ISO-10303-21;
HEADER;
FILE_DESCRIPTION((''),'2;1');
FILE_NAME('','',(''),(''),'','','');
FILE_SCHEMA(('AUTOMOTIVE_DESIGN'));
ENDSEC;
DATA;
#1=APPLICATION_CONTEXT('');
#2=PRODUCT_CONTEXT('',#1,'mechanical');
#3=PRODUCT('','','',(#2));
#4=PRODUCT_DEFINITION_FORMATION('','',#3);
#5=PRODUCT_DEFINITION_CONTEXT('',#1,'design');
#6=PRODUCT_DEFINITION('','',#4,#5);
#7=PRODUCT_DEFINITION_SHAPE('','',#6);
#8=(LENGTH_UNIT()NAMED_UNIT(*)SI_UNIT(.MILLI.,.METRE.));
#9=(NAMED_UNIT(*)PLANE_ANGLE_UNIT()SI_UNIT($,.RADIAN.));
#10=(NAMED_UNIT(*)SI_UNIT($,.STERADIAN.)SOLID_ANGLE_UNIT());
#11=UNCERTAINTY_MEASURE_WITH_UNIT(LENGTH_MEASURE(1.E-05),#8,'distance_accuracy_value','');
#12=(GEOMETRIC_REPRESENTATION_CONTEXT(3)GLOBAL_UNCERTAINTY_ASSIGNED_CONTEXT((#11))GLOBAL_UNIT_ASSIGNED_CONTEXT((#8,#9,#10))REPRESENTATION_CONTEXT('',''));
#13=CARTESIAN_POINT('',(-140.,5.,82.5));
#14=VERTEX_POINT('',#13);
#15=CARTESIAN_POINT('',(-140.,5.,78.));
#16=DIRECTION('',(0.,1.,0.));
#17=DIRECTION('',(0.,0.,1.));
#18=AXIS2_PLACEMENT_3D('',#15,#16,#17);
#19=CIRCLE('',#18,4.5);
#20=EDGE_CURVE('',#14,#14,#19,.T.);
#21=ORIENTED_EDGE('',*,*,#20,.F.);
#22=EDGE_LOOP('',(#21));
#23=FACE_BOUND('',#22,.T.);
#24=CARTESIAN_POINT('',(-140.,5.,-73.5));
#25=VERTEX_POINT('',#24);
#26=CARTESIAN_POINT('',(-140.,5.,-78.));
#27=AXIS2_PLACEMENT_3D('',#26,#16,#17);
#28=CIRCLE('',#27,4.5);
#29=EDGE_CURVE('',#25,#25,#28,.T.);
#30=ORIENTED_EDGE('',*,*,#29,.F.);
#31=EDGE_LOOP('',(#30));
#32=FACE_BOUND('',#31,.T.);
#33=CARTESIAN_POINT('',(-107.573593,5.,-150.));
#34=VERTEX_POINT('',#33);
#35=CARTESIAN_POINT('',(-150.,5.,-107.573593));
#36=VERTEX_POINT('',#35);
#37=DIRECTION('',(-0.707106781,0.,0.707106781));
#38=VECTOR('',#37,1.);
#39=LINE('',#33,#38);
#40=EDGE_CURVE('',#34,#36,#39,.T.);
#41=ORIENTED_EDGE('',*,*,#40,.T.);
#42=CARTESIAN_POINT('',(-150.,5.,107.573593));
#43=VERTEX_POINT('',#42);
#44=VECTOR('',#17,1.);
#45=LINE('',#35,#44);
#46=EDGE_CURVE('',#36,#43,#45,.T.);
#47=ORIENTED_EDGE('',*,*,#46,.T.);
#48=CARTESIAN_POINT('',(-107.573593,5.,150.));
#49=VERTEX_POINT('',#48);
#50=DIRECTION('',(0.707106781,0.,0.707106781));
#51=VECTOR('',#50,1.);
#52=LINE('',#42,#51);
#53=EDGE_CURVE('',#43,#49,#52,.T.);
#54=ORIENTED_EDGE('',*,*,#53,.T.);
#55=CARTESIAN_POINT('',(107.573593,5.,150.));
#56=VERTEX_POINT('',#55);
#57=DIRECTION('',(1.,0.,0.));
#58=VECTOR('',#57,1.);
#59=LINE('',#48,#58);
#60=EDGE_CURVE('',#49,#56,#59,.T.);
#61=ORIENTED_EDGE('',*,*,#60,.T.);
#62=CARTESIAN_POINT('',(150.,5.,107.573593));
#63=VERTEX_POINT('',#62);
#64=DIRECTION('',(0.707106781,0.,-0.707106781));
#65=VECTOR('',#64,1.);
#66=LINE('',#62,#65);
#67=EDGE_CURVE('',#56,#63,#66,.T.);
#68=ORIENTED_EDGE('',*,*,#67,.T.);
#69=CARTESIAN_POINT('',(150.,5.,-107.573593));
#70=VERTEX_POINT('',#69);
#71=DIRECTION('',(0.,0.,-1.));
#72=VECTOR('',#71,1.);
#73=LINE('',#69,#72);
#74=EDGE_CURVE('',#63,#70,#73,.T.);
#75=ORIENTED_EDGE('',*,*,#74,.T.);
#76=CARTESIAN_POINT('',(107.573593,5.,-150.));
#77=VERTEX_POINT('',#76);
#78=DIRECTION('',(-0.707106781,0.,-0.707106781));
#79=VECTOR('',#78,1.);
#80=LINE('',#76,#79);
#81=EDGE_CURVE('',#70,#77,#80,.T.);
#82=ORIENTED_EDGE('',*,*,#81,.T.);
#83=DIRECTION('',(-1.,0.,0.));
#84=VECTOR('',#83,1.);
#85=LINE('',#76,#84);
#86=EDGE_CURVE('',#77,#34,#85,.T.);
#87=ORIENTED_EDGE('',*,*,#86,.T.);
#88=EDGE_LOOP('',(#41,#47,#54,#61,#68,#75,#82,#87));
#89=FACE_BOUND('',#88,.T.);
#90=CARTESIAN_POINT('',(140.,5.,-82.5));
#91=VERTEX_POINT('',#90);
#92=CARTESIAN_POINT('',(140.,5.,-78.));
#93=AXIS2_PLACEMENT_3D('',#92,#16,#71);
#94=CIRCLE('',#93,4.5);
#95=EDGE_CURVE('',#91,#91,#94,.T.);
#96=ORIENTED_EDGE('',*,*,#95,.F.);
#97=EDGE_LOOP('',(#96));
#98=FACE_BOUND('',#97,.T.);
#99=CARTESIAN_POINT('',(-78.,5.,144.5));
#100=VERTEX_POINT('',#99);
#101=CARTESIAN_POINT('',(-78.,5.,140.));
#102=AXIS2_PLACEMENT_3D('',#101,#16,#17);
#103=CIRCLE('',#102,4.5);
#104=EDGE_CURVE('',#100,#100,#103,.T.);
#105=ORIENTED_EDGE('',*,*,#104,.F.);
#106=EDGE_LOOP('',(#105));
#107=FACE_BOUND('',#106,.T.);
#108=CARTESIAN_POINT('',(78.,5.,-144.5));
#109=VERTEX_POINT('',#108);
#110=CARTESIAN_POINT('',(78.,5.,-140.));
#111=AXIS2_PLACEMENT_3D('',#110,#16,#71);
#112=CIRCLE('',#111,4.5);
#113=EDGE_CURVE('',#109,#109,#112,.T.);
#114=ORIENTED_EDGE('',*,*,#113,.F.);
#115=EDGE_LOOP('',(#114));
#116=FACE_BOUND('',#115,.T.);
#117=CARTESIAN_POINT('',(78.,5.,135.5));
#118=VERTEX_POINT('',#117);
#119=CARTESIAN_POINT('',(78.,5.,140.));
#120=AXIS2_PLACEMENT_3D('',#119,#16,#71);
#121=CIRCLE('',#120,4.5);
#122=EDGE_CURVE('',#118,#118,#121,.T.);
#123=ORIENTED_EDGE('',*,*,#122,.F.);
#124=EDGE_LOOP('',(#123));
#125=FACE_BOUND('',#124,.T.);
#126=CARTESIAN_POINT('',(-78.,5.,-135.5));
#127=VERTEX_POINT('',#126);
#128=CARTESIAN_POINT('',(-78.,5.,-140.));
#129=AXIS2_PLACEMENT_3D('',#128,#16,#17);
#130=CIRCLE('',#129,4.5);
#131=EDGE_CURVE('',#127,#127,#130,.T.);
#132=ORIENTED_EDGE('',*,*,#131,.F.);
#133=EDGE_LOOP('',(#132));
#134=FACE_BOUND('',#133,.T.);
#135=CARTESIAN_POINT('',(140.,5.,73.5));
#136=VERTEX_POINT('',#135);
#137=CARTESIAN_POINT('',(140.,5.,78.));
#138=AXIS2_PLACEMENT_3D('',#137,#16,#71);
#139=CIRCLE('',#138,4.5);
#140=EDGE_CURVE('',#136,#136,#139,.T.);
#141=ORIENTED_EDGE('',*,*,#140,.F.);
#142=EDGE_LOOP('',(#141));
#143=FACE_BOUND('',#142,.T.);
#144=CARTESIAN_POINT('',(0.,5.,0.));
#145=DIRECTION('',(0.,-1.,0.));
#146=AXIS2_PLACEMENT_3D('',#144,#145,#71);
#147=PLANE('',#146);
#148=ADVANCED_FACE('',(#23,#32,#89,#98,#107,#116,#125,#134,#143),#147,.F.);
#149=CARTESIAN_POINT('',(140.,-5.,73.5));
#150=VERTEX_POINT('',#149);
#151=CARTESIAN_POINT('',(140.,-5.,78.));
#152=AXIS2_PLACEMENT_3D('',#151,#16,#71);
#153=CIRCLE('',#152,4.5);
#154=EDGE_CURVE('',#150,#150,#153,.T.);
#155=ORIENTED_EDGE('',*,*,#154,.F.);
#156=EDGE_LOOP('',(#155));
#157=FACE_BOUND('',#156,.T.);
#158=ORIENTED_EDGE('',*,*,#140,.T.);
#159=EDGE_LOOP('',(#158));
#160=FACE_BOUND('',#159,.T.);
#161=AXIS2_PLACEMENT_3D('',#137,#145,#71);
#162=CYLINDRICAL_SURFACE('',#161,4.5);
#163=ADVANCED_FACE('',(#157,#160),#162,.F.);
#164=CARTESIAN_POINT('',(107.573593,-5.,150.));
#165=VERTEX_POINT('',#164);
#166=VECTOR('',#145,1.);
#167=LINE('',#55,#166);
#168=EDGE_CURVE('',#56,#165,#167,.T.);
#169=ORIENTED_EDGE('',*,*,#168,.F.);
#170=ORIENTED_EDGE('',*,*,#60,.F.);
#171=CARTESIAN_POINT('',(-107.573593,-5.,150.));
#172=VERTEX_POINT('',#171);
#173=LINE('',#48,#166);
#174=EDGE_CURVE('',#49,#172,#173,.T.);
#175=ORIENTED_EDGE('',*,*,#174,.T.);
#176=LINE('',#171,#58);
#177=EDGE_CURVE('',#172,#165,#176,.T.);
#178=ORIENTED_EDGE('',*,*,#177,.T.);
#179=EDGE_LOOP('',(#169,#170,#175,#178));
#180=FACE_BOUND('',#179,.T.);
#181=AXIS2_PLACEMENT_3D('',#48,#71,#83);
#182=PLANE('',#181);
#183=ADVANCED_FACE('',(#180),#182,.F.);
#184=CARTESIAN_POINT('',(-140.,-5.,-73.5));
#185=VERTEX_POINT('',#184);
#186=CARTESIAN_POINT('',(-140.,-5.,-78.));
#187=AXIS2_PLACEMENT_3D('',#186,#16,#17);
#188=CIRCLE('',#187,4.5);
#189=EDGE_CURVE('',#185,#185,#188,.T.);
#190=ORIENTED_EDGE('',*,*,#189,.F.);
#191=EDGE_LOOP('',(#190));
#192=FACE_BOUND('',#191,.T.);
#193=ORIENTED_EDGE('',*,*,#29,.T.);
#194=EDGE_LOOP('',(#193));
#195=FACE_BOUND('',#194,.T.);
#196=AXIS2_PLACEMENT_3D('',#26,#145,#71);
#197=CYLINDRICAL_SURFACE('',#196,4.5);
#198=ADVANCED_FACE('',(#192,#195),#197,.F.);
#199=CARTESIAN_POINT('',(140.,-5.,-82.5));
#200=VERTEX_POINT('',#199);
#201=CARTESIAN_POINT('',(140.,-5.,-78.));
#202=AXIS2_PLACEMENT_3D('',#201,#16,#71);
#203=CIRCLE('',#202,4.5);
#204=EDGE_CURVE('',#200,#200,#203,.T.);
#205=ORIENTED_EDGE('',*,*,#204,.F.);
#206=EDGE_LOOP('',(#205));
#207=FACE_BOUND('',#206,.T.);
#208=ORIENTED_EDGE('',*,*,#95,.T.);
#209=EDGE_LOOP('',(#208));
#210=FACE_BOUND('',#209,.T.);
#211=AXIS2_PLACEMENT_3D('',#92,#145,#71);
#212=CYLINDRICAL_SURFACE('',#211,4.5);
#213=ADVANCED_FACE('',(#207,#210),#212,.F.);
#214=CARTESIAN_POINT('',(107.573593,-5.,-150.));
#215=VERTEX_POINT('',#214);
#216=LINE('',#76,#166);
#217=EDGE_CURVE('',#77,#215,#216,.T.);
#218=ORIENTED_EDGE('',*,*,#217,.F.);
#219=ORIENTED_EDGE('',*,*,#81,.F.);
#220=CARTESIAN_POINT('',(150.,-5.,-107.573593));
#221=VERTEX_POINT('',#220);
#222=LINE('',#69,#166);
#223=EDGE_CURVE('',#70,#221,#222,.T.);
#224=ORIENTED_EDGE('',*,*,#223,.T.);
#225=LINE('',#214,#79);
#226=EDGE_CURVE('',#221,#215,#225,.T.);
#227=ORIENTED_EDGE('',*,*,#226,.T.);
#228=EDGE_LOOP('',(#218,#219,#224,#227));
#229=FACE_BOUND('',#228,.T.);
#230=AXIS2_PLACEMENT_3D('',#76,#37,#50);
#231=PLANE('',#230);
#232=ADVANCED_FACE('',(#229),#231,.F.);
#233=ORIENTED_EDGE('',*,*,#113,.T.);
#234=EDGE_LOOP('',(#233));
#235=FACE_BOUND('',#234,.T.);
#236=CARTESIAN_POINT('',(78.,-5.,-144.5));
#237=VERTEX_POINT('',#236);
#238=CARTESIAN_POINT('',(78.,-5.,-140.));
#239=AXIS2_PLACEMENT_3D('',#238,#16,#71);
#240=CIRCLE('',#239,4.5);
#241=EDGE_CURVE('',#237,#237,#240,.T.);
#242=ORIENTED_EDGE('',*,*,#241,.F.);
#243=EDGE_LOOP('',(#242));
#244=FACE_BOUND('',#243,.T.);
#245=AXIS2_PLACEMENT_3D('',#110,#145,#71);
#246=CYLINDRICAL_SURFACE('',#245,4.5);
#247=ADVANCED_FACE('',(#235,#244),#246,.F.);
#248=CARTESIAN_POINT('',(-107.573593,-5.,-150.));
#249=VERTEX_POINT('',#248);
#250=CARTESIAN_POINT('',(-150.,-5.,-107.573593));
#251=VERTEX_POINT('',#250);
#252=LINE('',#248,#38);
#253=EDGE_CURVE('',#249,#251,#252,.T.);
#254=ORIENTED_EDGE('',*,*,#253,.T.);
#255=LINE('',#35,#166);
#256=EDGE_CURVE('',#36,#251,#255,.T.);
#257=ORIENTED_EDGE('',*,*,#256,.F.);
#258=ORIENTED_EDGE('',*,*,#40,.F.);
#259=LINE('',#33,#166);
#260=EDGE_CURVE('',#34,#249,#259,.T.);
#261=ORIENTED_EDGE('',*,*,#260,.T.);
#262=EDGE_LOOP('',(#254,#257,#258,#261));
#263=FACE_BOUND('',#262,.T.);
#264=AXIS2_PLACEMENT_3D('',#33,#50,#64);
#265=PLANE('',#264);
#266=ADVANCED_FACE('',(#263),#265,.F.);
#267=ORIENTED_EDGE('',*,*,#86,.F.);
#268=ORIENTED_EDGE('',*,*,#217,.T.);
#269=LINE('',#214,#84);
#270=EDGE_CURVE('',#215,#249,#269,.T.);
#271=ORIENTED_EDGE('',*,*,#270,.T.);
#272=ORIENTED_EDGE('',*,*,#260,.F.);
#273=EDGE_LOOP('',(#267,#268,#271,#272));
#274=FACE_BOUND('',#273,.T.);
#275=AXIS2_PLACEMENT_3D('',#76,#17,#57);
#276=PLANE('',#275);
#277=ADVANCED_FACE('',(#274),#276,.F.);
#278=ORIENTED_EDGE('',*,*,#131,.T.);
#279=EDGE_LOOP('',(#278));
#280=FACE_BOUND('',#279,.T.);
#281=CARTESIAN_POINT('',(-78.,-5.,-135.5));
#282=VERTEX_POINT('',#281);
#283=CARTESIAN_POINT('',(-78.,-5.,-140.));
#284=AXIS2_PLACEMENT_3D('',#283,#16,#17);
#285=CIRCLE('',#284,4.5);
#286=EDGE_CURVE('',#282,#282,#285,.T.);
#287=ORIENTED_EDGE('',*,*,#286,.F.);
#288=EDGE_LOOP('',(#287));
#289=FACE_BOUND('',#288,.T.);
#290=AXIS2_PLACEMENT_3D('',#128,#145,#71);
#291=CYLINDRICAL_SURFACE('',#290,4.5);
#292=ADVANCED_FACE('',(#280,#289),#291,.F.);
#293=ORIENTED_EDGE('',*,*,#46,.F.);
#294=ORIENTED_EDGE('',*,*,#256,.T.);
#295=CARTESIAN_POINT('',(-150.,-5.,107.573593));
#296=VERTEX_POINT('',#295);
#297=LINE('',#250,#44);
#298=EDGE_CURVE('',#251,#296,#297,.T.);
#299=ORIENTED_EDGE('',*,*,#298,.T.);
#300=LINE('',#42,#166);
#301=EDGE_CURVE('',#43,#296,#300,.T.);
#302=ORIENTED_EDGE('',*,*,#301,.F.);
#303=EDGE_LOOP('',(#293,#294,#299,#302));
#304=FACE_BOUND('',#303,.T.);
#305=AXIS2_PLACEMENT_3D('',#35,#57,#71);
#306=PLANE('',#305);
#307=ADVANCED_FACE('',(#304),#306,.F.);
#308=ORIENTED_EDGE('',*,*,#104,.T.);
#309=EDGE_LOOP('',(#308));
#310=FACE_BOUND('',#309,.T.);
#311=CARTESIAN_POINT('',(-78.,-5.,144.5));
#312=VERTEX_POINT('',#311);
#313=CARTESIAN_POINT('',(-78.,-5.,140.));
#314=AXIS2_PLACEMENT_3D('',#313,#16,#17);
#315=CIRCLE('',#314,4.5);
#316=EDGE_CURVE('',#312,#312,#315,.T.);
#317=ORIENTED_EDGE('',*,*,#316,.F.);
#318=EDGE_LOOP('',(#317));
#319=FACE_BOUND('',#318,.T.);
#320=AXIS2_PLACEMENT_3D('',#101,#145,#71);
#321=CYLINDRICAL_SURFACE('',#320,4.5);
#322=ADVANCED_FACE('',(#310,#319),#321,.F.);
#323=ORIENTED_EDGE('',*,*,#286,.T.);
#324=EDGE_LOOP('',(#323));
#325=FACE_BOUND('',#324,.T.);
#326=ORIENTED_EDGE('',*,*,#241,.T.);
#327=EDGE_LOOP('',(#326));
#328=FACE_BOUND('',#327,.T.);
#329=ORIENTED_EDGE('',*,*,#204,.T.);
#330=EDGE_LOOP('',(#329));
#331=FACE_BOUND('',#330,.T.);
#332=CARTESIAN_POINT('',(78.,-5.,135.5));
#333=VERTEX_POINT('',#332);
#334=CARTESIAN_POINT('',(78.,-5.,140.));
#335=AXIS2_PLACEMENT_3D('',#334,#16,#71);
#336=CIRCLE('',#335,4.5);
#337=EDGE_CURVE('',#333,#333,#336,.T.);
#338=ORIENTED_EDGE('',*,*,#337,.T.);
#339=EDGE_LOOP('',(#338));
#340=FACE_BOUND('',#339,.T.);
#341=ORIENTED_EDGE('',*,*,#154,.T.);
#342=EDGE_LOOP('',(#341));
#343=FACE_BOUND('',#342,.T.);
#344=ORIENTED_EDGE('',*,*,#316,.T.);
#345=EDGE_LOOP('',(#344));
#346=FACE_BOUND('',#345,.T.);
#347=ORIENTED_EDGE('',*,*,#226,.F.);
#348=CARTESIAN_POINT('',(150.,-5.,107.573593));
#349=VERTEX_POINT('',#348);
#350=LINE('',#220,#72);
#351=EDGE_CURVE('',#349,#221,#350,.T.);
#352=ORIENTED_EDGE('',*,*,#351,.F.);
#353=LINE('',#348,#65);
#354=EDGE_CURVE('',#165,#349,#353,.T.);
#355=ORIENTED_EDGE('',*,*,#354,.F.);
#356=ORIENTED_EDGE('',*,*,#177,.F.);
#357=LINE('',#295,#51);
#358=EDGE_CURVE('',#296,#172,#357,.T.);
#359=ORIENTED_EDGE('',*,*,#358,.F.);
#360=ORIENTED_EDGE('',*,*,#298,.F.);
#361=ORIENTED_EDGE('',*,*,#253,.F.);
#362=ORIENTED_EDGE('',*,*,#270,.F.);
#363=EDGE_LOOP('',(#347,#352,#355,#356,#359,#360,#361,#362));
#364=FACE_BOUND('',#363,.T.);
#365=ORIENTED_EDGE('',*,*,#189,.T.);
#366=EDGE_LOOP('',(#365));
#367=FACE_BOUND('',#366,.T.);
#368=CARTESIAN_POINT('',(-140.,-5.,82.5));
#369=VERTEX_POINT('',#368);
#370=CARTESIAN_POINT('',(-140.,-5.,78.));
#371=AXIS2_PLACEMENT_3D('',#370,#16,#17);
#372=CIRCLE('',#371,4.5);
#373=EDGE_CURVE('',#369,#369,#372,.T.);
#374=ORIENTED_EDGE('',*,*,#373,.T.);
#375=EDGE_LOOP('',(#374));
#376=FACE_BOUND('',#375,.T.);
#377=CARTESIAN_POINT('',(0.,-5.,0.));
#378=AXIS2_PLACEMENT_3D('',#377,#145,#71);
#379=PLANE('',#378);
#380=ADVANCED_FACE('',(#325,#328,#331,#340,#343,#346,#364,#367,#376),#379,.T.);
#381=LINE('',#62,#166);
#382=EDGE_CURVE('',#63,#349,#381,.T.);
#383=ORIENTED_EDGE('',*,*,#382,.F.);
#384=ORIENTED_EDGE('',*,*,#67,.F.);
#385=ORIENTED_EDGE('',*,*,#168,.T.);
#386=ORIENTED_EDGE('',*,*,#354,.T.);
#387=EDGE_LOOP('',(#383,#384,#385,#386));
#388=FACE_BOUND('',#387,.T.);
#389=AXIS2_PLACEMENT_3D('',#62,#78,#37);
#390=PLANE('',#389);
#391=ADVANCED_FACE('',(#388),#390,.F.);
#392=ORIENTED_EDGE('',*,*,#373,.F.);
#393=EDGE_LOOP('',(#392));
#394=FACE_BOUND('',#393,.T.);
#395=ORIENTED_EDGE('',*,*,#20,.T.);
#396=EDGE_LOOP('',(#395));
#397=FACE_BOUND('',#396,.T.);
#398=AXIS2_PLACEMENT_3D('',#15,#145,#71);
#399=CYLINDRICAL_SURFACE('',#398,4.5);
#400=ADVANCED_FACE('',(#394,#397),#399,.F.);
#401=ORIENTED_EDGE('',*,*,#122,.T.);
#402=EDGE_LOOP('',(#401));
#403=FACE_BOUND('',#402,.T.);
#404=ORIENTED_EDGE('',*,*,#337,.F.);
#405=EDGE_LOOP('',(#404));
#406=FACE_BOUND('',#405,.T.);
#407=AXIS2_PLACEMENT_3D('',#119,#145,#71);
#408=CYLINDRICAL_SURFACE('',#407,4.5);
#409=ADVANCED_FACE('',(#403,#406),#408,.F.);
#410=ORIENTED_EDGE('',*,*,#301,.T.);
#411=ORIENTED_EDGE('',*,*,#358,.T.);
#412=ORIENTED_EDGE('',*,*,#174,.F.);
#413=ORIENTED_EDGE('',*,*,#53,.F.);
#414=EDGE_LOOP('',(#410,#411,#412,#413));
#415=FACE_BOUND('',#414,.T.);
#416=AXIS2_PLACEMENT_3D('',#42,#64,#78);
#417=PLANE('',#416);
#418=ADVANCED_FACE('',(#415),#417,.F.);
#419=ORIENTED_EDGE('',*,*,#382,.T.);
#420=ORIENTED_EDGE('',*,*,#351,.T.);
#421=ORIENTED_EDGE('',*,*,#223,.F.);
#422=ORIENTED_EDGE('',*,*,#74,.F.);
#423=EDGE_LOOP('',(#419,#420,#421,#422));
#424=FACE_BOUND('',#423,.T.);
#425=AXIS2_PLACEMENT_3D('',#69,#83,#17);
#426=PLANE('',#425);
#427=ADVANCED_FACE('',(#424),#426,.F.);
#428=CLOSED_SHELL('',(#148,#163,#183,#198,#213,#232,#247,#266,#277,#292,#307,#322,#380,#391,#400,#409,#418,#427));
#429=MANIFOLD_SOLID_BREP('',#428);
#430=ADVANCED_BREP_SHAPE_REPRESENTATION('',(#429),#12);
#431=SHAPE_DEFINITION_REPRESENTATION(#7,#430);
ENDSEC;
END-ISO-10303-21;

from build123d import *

# Parameters (mm, degrees)
SKETCH2_R           = 4.5
BOSS_EXTRUDE1_DEPTH = 5


with BuildPart() as part:
    # Sketch2 → Boss-Extrude1 (new, symmetric)
    with BuildSketch(Plane(origin=(0, 0, 0), x_dir=(1, 0, 0), z_dir=(0, 1, 0))):
        Polygon((107.573593129, 150), (-107.573593129, 150), (-150, 107.573593129), (-150, -107.573593129), (-107.573593129, -150), (107.573593129, -150), (150, -107.573593129), (150, 107.573593129), align=None)
        with Locations(Location((-78, 140, 0), (0, 0, 270))):
            Circle(SKETCH2_R, mode=Mode.SUBTRACT)
        with Locations(Location((78, 140, 0), (0, 0, 90))):
            Circle(SKETCH2_R, mode=Mode.SUBTRACT)
        with Locations(Location((-140, 78, 0), (0, 0, 270))):
            Circle(SKETCH2_R, mode=Mode.SUBTRACT)
        with Locations(Location((140, 78, 0), (0, 0, 90))):
            Circle(SKETCH2_R, mode=Mode.SUBTRACT)
        with Locations(Location((-140, -78, 0), (0, 0, 270))):
            Circle(SKETCH2_R, mode=Mode.SUBTRACT)
        with Locations(Location((140, -78, 0), (0, 0, 90))):
            Circle(SKETCH2_R, mode=Mode.SUBTRACT)
        with Locations(Location((-78, -140, 0), (0, 0, 270))):
            Circle(SKETCH2_R, mode=Mode.SUBTRACT)
        with Locations(Location((78, -140, 0), (0, 0, 90))):
            Circle(SKETCH2_R, mode=Mode.SUBTRACT)
    extrude(amount=BOSS_EXTRUDE1_DEPTH, both=True)


solid = part.part
